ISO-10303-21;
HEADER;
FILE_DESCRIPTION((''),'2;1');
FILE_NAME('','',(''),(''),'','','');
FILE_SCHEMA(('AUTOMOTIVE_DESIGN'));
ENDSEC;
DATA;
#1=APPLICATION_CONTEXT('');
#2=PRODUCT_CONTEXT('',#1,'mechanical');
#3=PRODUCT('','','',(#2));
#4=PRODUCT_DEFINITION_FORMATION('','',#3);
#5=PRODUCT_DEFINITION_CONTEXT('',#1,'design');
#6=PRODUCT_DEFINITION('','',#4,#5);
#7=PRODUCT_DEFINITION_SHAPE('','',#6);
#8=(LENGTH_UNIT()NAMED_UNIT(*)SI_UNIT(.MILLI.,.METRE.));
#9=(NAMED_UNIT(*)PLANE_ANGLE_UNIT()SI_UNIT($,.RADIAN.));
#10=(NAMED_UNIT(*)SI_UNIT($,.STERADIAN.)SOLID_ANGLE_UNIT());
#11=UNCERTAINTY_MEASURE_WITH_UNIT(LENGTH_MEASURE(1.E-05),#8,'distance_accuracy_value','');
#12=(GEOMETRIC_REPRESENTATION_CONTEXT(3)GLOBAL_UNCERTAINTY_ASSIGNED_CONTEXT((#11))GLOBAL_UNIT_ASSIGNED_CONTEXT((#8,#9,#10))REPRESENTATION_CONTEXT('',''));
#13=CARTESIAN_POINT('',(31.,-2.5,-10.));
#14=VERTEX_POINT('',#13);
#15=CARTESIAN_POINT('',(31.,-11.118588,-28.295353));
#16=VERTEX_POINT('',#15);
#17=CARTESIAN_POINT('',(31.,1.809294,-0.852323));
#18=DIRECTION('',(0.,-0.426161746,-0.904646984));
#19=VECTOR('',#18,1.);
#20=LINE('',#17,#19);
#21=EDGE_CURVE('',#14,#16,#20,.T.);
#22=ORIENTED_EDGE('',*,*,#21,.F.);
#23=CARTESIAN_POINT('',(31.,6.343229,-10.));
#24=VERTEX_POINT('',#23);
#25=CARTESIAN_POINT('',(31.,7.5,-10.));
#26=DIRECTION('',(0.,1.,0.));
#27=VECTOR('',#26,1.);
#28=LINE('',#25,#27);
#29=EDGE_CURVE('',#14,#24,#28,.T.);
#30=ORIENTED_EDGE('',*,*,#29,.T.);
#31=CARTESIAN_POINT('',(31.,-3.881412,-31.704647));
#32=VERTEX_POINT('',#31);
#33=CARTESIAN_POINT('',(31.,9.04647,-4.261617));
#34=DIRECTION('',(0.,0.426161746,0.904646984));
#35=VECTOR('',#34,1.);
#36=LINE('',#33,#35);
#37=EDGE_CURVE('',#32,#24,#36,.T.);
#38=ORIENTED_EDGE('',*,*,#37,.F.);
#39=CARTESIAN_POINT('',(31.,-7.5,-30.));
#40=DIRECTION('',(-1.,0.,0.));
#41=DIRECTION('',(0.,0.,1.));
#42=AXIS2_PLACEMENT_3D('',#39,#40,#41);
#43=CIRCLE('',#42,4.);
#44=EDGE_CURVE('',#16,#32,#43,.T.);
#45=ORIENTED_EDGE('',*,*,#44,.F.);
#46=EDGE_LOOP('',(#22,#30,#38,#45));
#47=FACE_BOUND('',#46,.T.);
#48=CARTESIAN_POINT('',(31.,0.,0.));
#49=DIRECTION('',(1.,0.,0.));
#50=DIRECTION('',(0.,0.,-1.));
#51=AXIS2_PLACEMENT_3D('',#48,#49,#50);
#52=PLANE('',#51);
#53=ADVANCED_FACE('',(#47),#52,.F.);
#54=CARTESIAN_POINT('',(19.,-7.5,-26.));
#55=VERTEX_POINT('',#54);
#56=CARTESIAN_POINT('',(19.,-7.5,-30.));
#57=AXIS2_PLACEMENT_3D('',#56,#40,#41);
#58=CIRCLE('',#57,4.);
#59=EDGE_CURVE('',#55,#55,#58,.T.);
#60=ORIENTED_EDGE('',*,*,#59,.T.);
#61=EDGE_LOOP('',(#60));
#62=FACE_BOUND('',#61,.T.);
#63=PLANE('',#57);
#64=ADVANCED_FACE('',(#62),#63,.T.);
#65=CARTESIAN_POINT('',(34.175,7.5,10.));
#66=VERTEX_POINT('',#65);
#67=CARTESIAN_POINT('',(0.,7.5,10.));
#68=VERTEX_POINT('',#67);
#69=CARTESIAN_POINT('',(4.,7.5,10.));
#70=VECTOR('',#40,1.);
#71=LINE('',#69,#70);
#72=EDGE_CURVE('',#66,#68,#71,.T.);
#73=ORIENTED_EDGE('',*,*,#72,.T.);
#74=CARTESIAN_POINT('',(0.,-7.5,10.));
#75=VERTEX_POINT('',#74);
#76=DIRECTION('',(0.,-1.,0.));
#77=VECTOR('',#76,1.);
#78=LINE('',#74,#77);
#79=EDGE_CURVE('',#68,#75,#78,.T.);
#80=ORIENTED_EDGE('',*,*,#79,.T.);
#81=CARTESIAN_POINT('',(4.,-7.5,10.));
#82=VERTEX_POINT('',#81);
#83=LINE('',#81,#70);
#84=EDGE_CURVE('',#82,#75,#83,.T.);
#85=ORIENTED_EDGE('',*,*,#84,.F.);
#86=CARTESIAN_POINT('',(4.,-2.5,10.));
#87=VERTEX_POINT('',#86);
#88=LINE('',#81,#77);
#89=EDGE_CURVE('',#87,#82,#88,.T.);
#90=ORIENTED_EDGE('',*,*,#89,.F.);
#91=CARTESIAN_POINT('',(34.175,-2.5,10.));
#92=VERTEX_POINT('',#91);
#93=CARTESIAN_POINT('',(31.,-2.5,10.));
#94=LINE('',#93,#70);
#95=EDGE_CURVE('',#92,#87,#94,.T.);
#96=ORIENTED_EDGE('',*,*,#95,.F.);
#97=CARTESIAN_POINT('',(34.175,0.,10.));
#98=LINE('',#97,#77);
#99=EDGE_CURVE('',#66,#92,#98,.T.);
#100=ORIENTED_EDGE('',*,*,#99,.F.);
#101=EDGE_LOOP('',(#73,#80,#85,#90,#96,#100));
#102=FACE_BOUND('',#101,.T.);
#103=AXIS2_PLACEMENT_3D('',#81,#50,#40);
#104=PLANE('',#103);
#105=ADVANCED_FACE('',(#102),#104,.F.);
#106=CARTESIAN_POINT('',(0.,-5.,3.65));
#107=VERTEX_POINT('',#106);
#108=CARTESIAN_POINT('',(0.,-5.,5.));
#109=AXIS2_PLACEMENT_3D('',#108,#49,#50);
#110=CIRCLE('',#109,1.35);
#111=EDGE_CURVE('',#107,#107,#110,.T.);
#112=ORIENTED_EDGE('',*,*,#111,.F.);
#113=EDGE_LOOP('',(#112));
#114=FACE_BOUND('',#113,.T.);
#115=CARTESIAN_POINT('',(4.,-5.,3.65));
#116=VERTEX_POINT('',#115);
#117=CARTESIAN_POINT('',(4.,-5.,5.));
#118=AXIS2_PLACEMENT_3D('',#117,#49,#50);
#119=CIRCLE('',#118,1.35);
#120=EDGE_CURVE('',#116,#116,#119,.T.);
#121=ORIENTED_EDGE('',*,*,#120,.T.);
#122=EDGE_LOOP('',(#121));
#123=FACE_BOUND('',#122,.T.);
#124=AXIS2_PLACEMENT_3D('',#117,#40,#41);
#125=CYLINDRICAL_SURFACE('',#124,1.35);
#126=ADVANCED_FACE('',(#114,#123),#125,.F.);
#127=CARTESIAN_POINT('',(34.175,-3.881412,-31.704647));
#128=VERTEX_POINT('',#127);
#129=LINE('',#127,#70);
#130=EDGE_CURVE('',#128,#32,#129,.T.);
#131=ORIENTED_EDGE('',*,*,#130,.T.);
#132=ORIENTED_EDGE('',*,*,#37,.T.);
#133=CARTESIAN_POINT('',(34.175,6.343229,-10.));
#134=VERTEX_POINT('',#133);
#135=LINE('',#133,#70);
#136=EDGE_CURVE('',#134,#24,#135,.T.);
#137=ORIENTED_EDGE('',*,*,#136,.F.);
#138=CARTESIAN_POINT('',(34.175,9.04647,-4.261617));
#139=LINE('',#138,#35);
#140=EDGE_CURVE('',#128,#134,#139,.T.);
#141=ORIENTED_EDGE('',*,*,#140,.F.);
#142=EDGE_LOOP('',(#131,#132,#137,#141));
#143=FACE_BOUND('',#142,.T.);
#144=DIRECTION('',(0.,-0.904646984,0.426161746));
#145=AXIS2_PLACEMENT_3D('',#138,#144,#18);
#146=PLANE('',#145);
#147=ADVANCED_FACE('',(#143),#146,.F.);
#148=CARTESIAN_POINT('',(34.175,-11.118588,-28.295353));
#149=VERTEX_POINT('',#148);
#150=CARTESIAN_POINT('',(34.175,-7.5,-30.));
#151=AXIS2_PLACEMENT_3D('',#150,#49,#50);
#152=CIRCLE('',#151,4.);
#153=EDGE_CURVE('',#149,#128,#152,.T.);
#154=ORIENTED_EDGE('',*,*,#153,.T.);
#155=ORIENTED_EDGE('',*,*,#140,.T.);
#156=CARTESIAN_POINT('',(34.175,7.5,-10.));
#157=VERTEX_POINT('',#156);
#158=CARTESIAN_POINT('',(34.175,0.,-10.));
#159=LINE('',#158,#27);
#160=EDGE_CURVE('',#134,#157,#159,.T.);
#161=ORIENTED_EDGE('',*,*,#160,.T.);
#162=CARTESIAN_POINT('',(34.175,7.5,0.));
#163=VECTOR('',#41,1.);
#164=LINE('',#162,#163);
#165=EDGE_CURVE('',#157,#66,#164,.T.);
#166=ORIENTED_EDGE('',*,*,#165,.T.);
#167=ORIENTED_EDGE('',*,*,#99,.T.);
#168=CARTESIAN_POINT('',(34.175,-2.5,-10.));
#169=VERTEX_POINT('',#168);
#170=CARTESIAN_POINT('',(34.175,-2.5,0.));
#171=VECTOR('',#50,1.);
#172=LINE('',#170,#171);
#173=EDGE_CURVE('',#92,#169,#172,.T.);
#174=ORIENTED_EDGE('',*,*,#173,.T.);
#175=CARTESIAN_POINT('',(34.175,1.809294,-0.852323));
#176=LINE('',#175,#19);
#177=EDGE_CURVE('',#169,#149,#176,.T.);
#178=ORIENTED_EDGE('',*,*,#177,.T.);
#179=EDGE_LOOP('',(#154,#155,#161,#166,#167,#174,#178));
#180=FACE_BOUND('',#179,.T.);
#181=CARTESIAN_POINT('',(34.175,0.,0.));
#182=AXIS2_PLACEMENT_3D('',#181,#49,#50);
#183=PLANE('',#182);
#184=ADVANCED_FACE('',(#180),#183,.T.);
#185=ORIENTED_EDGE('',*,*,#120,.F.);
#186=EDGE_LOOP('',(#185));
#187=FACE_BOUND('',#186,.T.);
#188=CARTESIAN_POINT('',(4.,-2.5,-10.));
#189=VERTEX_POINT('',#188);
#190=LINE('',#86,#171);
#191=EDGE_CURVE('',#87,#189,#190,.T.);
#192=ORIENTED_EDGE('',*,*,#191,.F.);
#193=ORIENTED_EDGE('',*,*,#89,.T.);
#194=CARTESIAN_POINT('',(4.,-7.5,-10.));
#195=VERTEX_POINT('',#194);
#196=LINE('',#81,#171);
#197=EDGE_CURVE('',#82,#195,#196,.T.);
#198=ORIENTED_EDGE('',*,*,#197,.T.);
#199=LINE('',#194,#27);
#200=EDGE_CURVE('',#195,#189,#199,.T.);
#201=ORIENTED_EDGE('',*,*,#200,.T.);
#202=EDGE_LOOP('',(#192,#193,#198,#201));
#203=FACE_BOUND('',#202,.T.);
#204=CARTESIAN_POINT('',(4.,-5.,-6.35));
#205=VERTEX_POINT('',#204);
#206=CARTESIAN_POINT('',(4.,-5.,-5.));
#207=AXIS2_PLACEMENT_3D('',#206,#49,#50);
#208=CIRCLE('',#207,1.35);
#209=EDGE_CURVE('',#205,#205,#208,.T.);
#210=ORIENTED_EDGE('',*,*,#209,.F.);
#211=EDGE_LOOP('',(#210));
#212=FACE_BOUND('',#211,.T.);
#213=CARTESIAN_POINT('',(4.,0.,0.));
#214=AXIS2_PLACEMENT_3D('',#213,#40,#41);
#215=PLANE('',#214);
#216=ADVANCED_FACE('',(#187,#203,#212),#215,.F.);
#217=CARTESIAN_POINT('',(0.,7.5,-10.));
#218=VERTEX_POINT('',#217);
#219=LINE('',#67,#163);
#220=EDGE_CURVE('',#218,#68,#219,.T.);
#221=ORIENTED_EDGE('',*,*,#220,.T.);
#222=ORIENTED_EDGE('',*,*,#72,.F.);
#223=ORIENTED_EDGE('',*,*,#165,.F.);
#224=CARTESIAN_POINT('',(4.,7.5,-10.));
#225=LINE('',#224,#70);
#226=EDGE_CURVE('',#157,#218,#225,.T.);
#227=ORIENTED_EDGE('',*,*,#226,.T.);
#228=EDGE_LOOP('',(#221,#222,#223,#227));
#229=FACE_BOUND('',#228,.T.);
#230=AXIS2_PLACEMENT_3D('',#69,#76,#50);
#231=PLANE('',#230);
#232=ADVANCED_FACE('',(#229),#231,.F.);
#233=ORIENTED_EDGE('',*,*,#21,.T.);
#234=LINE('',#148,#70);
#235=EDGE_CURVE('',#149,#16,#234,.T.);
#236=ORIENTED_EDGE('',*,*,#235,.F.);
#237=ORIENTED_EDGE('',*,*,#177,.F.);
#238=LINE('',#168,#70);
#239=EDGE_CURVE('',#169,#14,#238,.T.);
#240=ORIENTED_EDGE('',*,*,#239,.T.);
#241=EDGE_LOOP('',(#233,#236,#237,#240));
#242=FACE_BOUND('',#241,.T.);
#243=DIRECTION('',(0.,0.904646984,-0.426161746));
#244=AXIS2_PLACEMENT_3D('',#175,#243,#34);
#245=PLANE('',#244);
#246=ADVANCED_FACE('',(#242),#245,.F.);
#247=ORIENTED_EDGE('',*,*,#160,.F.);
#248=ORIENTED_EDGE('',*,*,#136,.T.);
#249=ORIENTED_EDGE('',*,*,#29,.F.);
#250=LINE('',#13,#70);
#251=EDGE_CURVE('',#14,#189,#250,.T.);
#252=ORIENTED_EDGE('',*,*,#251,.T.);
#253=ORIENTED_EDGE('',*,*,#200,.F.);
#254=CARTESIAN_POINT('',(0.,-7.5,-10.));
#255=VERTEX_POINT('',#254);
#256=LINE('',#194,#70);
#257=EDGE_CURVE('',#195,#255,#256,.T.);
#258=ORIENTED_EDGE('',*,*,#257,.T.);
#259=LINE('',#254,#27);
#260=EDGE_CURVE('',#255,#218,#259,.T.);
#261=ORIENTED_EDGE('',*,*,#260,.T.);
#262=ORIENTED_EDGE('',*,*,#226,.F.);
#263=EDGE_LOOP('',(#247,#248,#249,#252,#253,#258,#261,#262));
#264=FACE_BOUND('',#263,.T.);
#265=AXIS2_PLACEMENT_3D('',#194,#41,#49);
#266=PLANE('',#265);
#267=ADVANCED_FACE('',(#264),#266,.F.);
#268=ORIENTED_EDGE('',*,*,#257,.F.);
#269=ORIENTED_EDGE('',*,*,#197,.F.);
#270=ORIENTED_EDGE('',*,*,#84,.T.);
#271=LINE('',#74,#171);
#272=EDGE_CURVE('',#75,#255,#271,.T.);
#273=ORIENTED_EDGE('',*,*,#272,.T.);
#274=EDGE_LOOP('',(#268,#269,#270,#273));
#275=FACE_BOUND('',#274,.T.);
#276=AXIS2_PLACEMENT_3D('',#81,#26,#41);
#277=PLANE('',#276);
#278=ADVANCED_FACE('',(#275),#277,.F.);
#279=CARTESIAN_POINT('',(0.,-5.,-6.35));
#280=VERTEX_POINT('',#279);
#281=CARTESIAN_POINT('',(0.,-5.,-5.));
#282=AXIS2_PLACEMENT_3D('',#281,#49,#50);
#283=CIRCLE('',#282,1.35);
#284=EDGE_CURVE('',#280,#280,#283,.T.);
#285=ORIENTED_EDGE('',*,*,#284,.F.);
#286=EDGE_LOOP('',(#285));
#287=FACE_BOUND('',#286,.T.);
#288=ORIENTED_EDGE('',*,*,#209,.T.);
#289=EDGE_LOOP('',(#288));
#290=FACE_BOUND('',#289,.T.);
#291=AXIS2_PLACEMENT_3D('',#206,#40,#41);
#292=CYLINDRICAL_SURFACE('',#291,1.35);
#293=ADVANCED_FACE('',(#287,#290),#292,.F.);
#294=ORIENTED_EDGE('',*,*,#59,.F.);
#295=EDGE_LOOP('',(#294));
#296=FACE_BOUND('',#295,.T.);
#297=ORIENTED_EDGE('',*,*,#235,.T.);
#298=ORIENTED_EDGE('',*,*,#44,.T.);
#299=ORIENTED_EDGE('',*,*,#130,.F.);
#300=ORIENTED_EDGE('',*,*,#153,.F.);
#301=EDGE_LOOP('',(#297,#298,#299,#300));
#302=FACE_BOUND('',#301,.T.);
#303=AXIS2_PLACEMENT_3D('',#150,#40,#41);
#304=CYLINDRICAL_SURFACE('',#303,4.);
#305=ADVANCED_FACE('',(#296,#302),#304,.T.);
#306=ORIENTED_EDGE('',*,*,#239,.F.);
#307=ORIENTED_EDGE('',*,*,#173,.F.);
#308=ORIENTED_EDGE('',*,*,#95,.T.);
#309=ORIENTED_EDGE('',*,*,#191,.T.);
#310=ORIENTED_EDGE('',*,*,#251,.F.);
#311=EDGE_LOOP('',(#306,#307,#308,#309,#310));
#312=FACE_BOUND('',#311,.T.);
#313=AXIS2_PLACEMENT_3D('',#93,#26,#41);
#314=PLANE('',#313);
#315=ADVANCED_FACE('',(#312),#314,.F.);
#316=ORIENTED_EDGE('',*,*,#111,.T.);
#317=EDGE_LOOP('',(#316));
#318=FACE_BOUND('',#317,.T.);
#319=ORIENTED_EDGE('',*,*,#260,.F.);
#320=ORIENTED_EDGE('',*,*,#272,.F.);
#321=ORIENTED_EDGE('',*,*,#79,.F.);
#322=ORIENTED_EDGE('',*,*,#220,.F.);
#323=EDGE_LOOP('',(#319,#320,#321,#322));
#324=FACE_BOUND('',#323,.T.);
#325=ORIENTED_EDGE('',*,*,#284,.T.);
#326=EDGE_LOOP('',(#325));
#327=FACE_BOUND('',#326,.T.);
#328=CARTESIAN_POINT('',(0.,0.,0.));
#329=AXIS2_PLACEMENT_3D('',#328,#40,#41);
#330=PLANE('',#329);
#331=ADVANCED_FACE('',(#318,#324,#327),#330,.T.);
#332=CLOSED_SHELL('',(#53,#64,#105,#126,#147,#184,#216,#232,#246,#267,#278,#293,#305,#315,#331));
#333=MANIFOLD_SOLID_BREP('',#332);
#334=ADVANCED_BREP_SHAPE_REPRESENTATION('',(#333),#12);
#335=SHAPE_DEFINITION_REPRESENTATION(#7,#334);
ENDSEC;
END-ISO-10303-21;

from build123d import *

# Parameters (mm, degrees)
SKETCH1_W           = 20
SKETCH1_H           = 15
SKETCH1_R           = 1.35
BOSS_EXTRUDE1_DEPTH = 4
SKETCH2_W           = 20
SKETCH2_H           = 10
BOSS_EXTRUDE2_DEPTH = 27
BOSS_EXTRUDE3_DEPTH = 3.175
BOSS_EXTRUDE4_START = 12
SKETCH4_R           = 4
BOSS_EXTRUDE4_DEPTH = 12


with BuildPart() as part:
    # Sketch1 → Boss-Extrude1 (new body)
    with BuildSketch(Plane(origin=(0, 0, 0), x_dir=(0, 0, -1), z_dir=(1, 0, 0))):
        Rectangle(SKETCH1_W, SKETCH1_H)
        with Locations((-5, -5)):
            Circle(SKETCH1_R, mode=Mode.SUBTRACT)
        with Locations((5, -5)):
            Circle(SKETCH1_R, mode=Mode.SUBTRACT)
    extrude(amount=BOSS_EXTRUDE1_DEPTH)

    # Sketch2 → Boss-Extrude2 (add)
    with BuildSketch(Plane(origin=(4, 0, 0), x_dir=(0, 0, -1), z_dir=(1, 0, 0))):
        with Locations((0, 2.5)):
            Rectangle(SKETCH2_W, SKETCH2_H)
    extrude(amount=BOSS_EXTRUDE2_DEPTH)

    # Sketch3 → Boss-Extrude3 (add)
    with BuildSketch(Plane(origin=(31, 0, 0), x_dir=(0, 0, -1), z_dir=(1, 0, 0))):
        with BuildLine():
            Line((10, 7.5), (-10, 7.5))
            Line((-10, 7.5), (-10, -2.5))
            Line((-10, -2.5), (10, -2.5))
            Line((10, -2.5), (28.295353016, -11.118587937))
            ThreePointArc((28.295353016, -11.118587937), (33.618587937, -9.204646984), (31.704646984, -3.881412063))
            Line((31.704646984, -3.881412063), (10, 6.343228507))
            Line((10, 6.343228507), (10, 7.5))
        make_face()
    extrude(amount=BOSS_EXTRUDE3_DEPTH)

    # Sketch4 → Boss-Extrude4 (add)
    with BuildSketch(Plane.ZY.offset(-31).offset(BOSS_EXTRUDE4_START)):
        with Locations((-30, -7.5)):
            Circle(SKETCH4_R)
    extrude(amount=-BOSS_EXTRUDE4_DEPTH)


solid = part.part
